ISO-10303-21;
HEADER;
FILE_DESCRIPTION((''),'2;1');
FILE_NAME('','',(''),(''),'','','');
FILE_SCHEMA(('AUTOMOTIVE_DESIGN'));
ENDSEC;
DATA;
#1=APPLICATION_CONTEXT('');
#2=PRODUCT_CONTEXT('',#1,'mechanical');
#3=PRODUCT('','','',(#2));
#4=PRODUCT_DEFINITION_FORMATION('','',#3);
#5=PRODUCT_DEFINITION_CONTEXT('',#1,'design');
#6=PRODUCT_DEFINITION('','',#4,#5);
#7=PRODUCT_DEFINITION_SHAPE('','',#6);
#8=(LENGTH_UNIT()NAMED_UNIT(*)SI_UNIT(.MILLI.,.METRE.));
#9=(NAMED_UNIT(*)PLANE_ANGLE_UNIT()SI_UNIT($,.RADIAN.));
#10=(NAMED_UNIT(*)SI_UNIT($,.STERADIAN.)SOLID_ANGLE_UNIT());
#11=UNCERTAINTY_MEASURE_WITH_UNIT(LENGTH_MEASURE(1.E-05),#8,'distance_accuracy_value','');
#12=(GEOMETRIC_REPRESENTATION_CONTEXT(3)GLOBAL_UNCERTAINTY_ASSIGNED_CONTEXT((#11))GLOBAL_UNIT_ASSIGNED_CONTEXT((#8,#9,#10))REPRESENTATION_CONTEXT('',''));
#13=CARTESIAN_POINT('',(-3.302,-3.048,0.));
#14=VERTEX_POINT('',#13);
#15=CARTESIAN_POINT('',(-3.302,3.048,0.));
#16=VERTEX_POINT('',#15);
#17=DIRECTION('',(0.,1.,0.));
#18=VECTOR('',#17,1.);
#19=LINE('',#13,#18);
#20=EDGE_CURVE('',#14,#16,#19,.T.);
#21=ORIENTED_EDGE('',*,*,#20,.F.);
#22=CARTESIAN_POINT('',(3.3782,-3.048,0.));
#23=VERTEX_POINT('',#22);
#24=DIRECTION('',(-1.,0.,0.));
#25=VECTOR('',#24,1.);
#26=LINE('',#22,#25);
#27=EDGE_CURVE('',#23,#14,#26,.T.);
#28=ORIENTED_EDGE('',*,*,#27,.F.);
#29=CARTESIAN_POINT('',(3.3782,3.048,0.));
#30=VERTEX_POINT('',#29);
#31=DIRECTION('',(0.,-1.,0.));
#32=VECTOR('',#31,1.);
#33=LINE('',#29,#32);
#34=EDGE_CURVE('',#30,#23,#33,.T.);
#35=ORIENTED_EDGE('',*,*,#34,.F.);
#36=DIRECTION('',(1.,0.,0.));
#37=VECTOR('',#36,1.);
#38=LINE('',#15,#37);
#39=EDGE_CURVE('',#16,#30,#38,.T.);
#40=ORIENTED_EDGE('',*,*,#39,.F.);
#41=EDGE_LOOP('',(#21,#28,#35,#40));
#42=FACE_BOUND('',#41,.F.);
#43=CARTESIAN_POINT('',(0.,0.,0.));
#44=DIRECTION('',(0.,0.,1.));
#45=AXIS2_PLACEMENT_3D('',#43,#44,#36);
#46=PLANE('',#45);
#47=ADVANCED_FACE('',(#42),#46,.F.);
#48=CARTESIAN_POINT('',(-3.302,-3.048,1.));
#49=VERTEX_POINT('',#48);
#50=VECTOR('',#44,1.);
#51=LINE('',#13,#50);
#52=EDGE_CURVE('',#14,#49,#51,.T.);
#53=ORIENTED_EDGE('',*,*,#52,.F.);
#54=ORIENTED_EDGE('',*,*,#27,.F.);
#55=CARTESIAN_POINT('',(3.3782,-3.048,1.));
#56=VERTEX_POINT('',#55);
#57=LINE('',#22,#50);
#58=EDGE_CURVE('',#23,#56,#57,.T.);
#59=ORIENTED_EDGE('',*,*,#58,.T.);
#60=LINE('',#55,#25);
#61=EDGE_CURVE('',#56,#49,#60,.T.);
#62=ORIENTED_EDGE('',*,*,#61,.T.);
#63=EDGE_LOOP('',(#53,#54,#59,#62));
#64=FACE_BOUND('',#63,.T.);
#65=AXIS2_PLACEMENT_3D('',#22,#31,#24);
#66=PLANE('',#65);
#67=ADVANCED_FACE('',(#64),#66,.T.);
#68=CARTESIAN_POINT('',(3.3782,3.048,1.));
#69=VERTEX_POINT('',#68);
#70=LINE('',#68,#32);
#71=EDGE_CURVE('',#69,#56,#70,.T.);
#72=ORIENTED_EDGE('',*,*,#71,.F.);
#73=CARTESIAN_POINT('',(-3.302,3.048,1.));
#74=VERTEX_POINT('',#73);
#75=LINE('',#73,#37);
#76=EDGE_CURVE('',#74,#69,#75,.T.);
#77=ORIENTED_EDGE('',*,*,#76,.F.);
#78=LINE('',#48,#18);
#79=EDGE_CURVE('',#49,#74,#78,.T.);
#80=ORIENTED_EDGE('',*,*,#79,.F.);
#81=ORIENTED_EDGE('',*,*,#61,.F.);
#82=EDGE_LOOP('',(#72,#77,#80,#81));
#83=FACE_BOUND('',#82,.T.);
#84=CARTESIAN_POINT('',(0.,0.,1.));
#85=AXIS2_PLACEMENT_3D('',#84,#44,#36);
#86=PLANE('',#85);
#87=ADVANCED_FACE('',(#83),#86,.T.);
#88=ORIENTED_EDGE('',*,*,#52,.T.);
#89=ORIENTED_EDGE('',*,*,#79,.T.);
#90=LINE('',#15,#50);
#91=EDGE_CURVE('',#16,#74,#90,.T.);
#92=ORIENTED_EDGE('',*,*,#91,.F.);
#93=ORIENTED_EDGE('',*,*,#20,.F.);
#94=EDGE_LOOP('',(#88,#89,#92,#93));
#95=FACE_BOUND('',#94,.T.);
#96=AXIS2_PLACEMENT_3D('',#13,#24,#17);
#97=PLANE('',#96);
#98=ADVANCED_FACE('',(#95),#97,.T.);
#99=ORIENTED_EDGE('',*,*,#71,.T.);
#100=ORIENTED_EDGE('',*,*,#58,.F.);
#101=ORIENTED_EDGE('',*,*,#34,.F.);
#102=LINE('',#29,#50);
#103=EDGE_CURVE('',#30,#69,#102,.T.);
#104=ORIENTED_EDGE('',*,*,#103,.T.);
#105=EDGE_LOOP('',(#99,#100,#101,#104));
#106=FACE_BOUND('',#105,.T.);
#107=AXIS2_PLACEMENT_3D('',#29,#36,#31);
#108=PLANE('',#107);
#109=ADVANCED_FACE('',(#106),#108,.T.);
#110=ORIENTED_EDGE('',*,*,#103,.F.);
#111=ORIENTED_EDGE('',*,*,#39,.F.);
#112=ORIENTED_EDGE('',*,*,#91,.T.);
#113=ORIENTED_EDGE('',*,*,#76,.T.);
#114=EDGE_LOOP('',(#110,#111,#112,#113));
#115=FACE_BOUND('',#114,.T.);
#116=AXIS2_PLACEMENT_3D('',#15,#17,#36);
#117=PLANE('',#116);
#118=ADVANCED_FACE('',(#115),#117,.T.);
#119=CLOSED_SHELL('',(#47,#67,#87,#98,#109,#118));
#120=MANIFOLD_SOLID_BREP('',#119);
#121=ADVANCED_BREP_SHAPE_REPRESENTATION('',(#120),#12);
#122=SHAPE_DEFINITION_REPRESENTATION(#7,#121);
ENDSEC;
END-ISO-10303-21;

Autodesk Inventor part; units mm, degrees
ref_plane "YZ Plane" through (0, 0, 0) normal (1, 0, 0) x (0, 1, 0)
ref_plane "XZ Plane" through (0, 0, 0) normal (0, 1, 0) x (-1, 0, 0)
ref_plane "XY Plane" through (0, 0, 0) normal (0, 0, 1) x (1, 0, 0)
sketch "B3F-10XX, BUTTON1_B3F-10XX_3" plane through (0, 0, 0) normal (0, 0, 1) x (1, 0, 0)
  line L0 (-3.302, 3.048) -> (3.3782, 3.048)
  line L1 (3.3782, 3.048) -> (3.3782, -3.048)
  line L2 (3.3782, -3.048) -> (-3.302, -3.048)
  line L3 (-3.302, -3.048) -> (-3.302, 3.048)
extrude "Extrusion1" add sketch "B3F-10XX, BUTTON1_B3F-10XX_3" along normal blind 1
properties part number "BUTTON1_B3F-10XX"
